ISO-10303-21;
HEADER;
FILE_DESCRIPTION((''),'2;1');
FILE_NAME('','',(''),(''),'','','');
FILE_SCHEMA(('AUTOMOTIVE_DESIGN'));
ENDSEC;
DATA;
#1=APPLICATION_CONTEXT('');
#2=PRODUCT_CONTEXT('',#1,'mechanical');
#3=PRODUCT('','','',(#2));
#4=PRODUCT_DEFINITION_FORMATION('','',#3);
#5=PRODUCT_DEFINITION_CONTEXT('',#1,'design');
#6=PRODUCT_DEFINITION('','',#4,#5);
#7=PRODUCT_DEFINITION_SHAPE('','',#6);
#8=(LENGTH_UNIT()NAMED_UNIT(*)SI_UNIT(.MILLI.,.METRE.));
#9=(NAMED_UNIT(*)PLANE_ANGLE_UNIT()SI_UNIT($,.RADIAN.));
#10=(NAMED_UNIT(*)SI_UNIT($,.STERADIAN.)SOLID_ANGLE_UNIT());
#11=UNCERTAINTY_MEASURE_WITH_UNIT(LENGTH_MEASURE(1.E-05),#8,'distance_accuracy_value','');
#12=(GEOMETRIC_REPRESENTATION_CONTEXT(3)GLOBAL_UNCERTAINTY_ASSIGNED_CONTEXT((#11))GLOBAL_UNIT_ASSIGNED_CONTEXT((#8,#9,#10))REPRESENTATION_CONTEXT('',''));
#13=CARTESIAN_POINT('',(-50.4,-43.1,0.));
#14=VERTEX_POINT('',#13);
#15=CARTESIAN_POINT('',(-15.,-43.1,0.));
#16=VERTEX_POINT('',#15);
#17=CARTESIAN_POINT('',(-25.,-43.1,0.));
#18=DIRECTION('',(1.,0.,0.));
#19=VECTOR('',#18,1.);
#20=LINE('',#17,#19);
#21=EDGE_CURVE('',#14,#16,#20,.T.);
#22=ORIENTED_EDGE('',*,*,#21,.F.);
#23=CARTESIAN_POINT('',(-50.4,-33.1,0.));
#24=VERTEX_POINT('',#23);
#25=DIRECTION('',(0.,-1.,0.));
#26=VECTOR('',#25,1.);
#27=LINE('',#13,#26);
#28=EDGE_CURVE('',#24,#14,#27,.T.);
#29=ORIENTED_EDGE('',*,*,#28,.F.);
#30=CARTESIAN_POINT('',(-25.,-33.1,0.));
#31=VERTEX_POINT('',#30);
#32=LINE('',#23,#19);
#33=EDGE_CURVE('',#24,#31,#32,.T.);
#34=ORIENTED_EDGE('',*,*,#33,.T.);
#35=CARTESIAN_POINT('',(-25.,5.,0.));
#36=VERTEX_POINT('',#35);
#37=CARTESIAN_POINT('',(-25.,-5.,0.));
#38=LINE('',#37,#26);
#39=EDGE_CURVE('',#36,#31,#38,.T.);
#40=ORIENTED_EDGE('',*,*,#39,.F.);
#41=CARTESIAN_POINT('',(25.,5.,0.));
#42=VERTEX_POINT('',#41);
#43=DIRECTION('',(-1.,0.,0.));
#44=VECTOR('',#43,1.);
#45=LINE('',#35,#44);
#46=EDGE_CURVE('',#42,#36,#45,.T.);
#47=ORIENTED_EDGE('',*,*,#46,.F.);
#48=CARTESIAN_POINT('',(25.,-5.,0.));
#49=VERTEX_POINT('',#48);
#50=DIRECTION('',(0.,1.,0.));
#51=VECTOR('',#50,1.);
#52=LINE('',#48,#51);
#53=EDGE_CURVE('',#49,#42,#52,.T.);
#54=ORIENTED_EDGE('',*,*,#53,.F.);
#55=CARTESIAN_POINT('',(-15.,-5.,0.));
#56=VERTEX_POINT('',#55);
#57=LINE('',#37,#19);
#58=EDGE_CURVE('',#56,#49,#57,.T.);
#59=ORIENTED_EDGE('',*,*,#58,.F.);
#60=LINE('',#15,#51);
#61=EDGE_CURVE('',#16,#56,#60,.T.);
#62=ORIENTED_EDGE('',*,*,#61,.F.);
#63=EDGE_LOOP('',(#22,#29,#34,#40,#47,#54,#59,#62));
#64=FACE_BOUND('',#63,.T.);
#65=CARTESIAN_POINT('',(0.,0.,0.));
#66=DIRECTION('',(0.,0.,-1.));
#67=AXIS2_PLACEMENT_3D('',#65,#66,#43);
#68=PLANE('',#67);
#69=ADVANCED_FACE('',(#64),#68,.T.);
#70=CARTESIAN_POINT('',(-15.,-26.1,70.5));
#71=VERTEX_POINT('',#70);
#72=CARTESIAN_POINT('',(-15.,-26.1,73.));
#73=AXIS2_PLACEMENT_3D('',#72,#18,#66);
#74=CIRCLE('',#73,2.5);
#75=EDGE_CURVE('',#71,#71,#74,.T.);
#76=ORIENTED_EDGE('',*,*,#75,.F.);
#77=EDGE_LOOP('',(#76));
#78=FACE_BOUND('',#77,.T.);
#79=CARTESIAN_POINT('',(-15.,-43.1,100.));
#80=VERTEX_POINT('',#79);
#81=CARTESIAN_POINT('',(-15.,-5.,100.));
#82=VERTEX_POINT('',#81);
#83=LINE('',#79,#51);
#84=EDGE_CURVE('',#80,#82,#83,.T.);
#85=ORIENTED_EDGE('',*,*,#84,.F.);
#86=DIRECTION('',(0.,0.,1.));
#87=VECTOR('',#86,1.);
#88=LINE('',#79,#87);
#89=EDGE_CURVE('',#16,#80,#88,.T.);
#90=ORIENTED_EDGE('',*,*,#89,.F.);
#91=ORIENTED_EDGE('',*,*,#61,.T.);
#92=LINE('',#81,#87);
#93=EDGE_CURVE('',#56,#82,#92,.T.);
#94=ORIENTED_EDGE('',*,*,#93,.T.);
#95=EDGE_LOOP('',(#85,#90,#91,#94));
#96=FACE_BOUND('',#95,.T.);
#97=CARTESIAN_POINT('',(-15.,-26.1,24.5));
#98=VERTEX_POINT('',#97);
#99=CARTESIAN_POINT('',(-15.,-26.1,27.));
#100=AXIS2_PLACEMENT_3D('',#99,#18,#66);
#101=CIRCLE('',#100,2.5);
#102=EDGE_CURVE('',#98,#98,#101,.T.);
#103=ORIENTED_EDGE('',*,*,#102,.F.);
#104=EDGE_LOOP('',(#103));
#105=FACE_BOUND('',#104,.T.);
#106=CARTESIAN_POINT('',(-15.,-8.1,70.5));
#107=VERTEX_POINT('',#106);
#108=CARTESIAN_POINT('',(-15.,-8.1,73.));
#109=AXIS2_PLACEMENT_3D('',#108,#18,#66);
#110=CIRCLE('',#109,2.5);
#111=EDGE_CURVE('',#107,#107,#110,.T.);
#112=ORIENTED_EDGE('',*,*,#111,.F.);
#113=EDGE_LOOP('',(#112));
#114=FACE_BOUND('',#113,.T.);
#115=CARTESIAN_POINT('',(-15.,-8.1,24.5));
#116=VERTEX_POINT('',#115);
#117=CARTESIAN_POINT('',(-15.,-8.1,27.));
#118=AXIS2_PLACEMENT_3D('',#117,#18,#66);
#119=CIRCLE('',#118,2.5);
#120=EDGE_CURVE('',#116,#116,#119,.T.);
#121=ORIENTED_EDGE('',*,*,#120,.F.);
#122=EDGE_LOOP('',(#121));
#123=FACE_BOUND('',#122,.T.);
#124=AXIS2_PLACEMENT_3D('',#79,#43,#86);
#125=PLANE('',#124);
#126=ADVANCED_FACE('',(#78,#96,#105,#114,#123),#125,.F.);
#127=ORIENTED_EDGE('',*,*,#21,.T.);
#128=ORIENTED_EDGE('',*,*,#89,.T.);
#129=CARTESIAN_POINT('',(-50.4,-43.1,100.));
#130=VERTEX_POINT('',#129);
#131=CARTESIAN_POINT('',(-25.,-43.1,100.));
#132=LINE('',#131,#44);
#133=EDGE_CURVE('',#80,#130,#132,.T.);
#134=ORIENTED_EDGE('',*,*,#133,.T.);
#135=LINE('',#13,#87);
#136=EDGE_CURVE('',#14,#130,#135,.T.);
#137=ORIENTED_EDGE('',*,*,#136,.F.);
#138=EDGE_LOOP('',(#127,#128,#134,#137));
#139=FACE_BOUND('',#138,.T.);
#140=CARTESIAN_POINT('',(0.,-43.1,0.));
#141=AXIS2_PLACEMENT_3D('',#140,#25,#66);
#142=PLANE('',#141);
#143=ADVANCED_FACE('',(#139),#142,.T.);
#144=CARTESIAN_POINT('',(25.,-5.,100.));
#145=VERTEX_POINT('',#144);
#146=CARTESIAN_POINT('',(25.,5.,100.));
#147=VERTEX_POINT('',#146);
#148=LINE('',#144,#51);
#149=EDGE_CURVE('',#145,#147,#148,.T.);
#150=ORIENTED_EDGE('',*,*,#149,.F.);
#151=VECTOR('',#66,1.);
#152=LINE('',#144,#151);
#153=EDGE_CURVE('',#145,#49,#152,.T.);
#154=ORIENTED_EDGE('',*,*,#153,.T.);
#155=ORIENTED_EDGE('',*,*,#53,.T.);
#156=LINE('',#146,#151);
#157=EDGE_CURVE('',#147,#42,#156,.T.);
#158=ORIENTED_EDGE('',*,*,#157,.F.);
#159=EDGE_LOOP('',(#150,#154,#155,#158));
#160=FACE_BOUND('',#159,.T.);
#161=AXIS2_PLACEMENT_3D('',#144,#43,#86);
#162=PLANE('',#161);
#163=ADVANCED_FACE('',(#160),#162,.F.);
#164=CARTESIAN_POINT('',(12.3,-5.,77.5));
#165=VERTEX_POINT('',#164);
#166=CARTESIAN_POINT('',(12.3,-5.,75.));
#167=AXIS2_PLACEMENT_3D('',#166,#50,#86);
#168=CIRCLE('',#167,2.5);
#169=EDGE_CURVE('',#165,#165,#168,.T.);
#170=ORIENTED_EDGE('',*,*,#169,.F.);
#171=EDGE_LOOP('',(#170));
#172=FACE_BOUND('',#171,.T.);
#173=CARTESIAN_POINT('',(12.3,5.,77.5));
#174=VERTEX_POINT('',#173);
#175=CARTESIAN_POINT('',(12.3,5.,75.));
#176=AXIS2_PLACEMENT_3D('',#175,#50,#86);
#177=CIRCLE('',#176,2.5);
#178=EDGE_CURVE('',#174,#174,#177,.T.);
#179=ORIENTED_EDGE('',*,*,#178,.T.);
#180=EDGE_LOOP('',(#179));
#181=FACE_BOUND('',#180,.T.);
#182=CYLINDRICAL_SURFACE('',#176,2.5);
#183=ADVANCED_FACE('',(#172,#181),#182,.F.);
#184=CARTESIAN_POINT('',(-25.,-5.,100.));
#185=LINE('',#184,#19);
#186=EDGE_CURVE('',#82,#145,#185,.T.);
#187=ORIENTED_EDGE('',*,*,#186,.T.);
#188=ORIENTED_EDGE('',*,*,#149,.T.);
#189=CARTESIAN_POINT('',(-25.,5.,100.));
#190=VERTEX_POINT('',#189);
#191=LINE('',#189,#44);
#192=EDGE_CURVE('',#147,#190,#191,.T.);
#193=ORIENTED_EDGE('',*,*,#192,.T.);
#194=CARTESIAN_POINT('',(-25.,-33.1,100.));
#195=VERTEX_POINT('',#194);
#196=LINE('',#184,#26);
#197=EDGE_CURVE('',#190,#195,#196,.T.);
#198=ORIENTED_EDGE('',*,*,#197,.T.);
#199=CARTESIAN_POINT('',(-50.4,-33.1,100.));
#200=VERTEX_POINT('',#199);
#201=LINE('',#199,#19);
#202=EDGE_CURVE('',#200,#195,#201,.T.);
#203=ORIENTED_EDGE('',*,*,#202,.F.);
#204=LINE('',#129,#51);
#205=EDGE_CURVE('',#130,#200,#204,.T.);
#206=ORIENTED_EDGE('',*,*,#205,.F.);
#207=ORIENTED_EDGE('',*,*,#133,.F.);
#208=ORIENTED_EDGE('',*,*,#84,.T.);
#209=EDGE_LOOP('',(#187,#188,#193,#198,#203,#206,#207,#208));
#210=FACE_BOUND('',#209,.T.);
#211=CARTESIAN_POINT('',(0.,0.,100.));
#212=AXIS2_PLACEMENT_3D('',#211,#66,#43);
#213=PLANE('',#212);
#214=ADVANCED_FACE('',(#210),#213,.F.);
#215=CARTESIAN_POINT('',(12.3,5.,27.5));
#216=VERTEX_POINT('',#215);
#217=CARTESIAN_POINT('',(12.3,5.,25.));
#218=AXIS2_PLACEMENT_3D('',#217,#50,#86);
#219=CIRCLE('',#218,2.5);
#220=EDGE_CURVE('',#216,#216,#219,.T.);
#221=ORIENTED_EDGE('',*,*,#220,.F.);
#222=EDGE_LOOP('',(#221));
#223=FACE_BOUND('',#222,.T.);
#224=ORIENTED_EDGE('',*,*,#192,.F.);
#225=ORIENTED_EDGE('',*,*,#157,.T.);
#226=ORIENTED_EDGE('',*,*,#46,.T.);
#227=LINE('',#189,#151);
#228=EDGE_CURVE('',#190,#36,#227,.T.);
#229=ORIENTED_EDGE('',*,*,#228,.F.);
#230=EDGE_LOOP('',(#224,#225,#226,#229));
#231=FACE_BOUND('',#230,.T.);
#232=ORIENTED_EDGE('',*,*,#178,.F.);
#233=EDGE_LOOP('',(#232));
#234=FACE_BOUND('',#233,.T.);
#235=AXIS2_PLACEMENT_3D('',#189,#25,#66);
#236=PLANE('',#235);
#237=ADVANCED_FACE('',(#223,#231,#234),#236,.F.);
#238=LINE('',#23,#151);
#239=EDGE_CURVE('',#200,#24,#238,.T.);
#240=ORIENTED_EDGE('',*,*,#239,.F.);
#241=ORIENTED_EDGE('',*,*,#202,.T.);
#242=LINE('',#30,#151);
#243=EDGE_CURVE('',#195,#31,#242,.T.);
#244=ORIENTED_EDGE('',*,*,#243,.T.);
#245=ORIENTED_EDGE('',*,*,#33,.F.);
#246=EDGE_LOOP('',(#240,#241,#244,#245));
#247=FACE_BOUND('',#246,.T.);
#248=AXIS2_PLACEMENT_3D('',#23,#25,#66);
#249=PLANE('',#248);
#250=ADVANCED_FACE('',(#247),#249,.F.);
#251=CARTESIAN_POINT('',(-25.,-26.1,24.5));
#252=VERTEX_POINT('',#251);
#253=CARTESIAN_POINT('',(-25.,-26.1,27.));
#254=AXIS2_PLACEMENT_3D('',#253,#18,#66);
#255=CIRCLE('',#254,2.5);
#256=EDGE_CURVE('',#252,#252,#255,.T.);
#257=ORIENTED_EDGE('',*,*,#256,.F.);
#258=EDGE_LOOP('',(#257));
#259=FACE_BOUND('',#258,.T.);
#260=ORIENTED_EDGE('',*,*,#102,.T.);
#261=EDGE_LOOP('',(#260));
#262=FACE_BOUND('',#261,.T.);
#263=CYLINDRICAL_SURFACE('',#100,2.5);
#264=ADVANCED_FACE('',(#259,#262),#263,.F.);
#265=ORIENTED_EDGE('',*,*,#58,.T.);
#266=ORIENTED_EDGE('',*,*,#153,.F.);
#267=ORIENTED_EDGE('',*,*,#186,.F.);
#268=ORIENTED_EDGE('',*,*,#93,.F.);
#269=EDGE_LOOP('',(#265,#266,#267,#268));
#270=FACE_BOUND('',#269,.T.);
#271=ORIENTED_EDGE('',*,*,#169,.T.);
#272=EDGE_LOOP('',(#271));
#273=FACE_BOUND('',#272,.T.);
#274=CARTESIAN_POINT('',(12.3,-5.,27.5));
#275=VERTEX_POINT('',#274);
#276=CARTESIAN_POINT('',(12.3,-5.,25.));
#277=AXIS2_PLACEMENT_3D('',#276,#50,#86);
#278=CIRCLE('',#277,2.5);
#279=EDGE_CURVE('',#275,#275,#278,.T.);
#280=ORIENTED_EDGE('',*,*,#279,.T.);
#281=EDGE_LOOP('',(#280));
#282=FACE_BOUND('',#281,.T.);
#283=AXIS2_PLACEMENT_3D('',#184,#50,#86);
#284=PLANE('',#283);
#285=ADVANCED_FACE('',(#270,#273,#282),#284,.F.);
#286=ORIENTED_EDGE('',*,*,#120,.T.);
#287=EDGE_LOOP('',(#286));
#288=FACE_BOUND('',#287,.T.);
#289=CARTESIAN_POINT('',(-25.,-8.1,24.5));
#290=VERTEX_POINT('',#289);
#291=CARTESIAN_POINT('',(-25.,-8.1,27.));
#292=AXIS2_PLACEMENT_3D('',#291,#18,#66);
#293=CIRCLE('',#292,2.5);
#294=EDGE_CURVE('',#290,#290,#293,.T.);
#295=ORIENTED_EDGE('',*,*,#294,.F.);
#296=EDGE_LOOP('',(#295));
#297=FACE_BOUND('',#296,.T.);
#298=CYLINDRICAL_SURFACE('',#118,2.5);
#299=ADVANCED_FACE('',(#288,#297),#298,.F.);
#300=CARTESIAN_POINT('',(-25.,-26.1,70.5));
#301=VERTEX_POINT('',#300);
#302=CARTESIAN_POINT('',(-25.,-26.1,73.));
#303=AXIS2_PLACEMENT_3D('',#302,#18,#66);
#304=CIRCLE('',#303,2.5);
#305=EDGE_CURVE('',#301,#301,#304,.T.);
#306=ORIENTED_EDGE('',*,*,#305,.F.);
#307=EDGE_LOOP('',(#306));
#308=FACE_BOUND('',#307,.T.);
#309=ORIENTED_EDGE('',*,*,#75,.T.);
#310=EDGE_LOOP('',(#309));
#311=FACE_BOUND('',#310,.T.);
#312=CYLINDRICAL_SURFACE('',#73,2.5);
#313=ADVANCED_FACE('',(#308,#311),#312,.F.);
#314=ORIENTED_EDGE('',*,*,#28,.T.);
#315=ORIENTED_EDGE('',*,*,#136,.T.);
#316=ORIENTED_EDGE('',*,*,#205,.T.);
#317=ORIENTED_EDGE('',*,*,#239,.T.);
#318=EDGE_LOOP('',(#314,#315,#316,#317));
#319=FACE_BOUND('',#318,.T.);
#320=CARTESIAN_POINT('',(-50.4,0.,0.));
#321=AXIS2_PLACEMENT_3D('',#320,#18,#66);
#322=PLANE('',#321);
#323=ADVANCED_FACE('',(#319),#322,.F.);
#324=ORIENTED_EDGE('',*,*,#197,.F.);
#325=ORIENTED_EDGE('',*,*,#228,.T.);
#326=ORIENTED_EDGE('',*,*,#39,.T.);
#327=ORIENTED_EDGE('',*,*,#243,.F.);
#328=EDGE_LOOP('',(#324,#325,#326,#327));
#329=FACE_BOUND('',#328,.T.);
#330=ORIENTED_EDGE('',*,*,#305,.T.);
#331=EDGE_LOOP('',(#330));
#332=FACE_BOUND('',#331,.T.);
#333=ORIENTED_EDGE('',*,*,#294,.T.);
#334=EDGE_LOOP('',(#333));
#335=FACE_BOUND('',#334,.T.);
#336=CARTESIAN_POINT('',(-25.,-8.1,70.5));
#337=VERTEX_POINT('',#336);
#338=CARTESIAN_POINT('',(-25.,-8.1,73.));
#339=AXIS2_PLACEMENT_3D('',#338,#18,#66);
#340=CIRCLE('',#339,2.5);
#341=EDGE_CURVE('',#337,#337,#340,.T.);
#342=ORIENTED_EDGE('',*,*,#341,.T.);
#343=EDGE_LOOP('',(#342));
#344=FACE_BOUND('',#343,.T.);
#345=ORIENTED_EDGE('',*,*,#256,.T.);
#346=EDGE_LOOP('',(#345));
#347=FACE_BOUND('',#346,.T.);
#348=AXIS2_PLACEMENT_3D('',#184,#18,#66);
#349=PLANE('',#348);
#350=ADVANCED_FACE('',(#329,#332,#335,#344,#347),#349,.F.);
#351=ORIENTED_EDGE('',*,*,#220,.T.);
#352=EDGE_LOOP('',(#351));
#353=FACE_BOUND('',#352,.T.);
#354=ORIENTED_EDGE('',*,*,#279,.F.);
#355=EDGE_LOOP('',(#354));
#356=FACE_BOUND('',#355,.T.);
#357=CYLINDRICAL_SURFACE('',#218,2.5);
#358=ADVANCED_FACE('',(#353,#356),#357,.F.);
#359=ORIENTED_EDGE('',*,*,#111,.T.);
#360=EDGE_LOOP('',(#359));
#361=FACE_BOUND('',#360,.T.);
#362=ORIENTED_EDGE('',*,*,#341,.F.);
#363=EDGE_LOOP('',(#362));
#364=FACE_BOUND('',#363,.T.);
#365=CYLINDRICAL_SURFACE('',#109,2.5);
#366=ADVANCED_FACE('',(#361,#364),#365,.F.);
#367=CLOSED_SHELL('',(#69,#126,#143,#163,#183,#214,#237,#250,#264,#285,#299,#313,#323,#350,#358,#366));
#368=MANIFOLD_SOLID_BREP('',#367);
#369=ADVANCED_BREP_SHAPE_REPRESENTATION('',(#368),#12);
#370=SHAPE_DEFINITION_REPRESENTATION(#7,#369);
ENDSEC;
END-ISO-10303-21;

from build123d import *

# Parameters (mm, degrees)
SKETCH1_W             = 50
SKETCH1_H             = 10
BOSS_EXTRUDE1_DEPTH   = 100
SKETCH2_W             = 10
SKETCH2_H             = 100
BOSS_EXTRUDE2_DEPTH   = 38.1
SKETCH3_W             = 100
SKETCH3_H             = 10
BOSS_EXTRUDE3_DEPTH   = 25.4
M5X0_8_TAPPED_HOLE1_D = 5
M5X0_8_TAPPED_HOLE2_D = 5


with BuildPart() as part:
    # Sketch1 → Boss-Extrude1 (new body)
    with BuildSketch(Plane.XY):
        Rectangle(SKETCH1_W, SKETCH1_H)
    extrude(amount=BOSS_EXTRUDE1_DEPTH)

    # Sketch2 → Boss-Extrude2 (add)
    with BuildSketch(Plane.XZ.offset(5)):
        with Locations((-20, 50)):
            Rectangle(SKETCH2_W, SKETCH2_H)
    extrude(amount=BOSS_EXTRUDE2_DEPTH)

    # Sketch3 → Boss-Extrude3 (add)
    with BuildSketch(Plane.ZY.offset(25)):
        with Locations((50, -38.1)):
            Rectangle(SKETCH3_W, SKETCH3_H)
    extrude(amount=BOSS_EXTRUDE3_DEPTH)

    # M5x0.8 Tapped Hole1 (through all)
    with Locations(Plane(origin=(0, 5, 0), x_dir=(1, 0, 0), z_dir=(0, 1, 0))):
        with Locations((12.3, -75), (12.3, -25)):
            Hole(M5X0_8_TAPPED_HOLE1_D / 2)

    # M5x0.8 Tapped Hole2 (through all)
    with Locations(Plane(origin=(-15, 0, 0), x_dir=(0, 0, -1), z_dir=(1, 0, 0))):
        with Locations((-27, -8.1), (-73, -26.1), (-27, -26.1), (-73, -8.1)):
            Hole(M5X0_8_TAPPED_HOLE2_D / 2)


solid = part.part
